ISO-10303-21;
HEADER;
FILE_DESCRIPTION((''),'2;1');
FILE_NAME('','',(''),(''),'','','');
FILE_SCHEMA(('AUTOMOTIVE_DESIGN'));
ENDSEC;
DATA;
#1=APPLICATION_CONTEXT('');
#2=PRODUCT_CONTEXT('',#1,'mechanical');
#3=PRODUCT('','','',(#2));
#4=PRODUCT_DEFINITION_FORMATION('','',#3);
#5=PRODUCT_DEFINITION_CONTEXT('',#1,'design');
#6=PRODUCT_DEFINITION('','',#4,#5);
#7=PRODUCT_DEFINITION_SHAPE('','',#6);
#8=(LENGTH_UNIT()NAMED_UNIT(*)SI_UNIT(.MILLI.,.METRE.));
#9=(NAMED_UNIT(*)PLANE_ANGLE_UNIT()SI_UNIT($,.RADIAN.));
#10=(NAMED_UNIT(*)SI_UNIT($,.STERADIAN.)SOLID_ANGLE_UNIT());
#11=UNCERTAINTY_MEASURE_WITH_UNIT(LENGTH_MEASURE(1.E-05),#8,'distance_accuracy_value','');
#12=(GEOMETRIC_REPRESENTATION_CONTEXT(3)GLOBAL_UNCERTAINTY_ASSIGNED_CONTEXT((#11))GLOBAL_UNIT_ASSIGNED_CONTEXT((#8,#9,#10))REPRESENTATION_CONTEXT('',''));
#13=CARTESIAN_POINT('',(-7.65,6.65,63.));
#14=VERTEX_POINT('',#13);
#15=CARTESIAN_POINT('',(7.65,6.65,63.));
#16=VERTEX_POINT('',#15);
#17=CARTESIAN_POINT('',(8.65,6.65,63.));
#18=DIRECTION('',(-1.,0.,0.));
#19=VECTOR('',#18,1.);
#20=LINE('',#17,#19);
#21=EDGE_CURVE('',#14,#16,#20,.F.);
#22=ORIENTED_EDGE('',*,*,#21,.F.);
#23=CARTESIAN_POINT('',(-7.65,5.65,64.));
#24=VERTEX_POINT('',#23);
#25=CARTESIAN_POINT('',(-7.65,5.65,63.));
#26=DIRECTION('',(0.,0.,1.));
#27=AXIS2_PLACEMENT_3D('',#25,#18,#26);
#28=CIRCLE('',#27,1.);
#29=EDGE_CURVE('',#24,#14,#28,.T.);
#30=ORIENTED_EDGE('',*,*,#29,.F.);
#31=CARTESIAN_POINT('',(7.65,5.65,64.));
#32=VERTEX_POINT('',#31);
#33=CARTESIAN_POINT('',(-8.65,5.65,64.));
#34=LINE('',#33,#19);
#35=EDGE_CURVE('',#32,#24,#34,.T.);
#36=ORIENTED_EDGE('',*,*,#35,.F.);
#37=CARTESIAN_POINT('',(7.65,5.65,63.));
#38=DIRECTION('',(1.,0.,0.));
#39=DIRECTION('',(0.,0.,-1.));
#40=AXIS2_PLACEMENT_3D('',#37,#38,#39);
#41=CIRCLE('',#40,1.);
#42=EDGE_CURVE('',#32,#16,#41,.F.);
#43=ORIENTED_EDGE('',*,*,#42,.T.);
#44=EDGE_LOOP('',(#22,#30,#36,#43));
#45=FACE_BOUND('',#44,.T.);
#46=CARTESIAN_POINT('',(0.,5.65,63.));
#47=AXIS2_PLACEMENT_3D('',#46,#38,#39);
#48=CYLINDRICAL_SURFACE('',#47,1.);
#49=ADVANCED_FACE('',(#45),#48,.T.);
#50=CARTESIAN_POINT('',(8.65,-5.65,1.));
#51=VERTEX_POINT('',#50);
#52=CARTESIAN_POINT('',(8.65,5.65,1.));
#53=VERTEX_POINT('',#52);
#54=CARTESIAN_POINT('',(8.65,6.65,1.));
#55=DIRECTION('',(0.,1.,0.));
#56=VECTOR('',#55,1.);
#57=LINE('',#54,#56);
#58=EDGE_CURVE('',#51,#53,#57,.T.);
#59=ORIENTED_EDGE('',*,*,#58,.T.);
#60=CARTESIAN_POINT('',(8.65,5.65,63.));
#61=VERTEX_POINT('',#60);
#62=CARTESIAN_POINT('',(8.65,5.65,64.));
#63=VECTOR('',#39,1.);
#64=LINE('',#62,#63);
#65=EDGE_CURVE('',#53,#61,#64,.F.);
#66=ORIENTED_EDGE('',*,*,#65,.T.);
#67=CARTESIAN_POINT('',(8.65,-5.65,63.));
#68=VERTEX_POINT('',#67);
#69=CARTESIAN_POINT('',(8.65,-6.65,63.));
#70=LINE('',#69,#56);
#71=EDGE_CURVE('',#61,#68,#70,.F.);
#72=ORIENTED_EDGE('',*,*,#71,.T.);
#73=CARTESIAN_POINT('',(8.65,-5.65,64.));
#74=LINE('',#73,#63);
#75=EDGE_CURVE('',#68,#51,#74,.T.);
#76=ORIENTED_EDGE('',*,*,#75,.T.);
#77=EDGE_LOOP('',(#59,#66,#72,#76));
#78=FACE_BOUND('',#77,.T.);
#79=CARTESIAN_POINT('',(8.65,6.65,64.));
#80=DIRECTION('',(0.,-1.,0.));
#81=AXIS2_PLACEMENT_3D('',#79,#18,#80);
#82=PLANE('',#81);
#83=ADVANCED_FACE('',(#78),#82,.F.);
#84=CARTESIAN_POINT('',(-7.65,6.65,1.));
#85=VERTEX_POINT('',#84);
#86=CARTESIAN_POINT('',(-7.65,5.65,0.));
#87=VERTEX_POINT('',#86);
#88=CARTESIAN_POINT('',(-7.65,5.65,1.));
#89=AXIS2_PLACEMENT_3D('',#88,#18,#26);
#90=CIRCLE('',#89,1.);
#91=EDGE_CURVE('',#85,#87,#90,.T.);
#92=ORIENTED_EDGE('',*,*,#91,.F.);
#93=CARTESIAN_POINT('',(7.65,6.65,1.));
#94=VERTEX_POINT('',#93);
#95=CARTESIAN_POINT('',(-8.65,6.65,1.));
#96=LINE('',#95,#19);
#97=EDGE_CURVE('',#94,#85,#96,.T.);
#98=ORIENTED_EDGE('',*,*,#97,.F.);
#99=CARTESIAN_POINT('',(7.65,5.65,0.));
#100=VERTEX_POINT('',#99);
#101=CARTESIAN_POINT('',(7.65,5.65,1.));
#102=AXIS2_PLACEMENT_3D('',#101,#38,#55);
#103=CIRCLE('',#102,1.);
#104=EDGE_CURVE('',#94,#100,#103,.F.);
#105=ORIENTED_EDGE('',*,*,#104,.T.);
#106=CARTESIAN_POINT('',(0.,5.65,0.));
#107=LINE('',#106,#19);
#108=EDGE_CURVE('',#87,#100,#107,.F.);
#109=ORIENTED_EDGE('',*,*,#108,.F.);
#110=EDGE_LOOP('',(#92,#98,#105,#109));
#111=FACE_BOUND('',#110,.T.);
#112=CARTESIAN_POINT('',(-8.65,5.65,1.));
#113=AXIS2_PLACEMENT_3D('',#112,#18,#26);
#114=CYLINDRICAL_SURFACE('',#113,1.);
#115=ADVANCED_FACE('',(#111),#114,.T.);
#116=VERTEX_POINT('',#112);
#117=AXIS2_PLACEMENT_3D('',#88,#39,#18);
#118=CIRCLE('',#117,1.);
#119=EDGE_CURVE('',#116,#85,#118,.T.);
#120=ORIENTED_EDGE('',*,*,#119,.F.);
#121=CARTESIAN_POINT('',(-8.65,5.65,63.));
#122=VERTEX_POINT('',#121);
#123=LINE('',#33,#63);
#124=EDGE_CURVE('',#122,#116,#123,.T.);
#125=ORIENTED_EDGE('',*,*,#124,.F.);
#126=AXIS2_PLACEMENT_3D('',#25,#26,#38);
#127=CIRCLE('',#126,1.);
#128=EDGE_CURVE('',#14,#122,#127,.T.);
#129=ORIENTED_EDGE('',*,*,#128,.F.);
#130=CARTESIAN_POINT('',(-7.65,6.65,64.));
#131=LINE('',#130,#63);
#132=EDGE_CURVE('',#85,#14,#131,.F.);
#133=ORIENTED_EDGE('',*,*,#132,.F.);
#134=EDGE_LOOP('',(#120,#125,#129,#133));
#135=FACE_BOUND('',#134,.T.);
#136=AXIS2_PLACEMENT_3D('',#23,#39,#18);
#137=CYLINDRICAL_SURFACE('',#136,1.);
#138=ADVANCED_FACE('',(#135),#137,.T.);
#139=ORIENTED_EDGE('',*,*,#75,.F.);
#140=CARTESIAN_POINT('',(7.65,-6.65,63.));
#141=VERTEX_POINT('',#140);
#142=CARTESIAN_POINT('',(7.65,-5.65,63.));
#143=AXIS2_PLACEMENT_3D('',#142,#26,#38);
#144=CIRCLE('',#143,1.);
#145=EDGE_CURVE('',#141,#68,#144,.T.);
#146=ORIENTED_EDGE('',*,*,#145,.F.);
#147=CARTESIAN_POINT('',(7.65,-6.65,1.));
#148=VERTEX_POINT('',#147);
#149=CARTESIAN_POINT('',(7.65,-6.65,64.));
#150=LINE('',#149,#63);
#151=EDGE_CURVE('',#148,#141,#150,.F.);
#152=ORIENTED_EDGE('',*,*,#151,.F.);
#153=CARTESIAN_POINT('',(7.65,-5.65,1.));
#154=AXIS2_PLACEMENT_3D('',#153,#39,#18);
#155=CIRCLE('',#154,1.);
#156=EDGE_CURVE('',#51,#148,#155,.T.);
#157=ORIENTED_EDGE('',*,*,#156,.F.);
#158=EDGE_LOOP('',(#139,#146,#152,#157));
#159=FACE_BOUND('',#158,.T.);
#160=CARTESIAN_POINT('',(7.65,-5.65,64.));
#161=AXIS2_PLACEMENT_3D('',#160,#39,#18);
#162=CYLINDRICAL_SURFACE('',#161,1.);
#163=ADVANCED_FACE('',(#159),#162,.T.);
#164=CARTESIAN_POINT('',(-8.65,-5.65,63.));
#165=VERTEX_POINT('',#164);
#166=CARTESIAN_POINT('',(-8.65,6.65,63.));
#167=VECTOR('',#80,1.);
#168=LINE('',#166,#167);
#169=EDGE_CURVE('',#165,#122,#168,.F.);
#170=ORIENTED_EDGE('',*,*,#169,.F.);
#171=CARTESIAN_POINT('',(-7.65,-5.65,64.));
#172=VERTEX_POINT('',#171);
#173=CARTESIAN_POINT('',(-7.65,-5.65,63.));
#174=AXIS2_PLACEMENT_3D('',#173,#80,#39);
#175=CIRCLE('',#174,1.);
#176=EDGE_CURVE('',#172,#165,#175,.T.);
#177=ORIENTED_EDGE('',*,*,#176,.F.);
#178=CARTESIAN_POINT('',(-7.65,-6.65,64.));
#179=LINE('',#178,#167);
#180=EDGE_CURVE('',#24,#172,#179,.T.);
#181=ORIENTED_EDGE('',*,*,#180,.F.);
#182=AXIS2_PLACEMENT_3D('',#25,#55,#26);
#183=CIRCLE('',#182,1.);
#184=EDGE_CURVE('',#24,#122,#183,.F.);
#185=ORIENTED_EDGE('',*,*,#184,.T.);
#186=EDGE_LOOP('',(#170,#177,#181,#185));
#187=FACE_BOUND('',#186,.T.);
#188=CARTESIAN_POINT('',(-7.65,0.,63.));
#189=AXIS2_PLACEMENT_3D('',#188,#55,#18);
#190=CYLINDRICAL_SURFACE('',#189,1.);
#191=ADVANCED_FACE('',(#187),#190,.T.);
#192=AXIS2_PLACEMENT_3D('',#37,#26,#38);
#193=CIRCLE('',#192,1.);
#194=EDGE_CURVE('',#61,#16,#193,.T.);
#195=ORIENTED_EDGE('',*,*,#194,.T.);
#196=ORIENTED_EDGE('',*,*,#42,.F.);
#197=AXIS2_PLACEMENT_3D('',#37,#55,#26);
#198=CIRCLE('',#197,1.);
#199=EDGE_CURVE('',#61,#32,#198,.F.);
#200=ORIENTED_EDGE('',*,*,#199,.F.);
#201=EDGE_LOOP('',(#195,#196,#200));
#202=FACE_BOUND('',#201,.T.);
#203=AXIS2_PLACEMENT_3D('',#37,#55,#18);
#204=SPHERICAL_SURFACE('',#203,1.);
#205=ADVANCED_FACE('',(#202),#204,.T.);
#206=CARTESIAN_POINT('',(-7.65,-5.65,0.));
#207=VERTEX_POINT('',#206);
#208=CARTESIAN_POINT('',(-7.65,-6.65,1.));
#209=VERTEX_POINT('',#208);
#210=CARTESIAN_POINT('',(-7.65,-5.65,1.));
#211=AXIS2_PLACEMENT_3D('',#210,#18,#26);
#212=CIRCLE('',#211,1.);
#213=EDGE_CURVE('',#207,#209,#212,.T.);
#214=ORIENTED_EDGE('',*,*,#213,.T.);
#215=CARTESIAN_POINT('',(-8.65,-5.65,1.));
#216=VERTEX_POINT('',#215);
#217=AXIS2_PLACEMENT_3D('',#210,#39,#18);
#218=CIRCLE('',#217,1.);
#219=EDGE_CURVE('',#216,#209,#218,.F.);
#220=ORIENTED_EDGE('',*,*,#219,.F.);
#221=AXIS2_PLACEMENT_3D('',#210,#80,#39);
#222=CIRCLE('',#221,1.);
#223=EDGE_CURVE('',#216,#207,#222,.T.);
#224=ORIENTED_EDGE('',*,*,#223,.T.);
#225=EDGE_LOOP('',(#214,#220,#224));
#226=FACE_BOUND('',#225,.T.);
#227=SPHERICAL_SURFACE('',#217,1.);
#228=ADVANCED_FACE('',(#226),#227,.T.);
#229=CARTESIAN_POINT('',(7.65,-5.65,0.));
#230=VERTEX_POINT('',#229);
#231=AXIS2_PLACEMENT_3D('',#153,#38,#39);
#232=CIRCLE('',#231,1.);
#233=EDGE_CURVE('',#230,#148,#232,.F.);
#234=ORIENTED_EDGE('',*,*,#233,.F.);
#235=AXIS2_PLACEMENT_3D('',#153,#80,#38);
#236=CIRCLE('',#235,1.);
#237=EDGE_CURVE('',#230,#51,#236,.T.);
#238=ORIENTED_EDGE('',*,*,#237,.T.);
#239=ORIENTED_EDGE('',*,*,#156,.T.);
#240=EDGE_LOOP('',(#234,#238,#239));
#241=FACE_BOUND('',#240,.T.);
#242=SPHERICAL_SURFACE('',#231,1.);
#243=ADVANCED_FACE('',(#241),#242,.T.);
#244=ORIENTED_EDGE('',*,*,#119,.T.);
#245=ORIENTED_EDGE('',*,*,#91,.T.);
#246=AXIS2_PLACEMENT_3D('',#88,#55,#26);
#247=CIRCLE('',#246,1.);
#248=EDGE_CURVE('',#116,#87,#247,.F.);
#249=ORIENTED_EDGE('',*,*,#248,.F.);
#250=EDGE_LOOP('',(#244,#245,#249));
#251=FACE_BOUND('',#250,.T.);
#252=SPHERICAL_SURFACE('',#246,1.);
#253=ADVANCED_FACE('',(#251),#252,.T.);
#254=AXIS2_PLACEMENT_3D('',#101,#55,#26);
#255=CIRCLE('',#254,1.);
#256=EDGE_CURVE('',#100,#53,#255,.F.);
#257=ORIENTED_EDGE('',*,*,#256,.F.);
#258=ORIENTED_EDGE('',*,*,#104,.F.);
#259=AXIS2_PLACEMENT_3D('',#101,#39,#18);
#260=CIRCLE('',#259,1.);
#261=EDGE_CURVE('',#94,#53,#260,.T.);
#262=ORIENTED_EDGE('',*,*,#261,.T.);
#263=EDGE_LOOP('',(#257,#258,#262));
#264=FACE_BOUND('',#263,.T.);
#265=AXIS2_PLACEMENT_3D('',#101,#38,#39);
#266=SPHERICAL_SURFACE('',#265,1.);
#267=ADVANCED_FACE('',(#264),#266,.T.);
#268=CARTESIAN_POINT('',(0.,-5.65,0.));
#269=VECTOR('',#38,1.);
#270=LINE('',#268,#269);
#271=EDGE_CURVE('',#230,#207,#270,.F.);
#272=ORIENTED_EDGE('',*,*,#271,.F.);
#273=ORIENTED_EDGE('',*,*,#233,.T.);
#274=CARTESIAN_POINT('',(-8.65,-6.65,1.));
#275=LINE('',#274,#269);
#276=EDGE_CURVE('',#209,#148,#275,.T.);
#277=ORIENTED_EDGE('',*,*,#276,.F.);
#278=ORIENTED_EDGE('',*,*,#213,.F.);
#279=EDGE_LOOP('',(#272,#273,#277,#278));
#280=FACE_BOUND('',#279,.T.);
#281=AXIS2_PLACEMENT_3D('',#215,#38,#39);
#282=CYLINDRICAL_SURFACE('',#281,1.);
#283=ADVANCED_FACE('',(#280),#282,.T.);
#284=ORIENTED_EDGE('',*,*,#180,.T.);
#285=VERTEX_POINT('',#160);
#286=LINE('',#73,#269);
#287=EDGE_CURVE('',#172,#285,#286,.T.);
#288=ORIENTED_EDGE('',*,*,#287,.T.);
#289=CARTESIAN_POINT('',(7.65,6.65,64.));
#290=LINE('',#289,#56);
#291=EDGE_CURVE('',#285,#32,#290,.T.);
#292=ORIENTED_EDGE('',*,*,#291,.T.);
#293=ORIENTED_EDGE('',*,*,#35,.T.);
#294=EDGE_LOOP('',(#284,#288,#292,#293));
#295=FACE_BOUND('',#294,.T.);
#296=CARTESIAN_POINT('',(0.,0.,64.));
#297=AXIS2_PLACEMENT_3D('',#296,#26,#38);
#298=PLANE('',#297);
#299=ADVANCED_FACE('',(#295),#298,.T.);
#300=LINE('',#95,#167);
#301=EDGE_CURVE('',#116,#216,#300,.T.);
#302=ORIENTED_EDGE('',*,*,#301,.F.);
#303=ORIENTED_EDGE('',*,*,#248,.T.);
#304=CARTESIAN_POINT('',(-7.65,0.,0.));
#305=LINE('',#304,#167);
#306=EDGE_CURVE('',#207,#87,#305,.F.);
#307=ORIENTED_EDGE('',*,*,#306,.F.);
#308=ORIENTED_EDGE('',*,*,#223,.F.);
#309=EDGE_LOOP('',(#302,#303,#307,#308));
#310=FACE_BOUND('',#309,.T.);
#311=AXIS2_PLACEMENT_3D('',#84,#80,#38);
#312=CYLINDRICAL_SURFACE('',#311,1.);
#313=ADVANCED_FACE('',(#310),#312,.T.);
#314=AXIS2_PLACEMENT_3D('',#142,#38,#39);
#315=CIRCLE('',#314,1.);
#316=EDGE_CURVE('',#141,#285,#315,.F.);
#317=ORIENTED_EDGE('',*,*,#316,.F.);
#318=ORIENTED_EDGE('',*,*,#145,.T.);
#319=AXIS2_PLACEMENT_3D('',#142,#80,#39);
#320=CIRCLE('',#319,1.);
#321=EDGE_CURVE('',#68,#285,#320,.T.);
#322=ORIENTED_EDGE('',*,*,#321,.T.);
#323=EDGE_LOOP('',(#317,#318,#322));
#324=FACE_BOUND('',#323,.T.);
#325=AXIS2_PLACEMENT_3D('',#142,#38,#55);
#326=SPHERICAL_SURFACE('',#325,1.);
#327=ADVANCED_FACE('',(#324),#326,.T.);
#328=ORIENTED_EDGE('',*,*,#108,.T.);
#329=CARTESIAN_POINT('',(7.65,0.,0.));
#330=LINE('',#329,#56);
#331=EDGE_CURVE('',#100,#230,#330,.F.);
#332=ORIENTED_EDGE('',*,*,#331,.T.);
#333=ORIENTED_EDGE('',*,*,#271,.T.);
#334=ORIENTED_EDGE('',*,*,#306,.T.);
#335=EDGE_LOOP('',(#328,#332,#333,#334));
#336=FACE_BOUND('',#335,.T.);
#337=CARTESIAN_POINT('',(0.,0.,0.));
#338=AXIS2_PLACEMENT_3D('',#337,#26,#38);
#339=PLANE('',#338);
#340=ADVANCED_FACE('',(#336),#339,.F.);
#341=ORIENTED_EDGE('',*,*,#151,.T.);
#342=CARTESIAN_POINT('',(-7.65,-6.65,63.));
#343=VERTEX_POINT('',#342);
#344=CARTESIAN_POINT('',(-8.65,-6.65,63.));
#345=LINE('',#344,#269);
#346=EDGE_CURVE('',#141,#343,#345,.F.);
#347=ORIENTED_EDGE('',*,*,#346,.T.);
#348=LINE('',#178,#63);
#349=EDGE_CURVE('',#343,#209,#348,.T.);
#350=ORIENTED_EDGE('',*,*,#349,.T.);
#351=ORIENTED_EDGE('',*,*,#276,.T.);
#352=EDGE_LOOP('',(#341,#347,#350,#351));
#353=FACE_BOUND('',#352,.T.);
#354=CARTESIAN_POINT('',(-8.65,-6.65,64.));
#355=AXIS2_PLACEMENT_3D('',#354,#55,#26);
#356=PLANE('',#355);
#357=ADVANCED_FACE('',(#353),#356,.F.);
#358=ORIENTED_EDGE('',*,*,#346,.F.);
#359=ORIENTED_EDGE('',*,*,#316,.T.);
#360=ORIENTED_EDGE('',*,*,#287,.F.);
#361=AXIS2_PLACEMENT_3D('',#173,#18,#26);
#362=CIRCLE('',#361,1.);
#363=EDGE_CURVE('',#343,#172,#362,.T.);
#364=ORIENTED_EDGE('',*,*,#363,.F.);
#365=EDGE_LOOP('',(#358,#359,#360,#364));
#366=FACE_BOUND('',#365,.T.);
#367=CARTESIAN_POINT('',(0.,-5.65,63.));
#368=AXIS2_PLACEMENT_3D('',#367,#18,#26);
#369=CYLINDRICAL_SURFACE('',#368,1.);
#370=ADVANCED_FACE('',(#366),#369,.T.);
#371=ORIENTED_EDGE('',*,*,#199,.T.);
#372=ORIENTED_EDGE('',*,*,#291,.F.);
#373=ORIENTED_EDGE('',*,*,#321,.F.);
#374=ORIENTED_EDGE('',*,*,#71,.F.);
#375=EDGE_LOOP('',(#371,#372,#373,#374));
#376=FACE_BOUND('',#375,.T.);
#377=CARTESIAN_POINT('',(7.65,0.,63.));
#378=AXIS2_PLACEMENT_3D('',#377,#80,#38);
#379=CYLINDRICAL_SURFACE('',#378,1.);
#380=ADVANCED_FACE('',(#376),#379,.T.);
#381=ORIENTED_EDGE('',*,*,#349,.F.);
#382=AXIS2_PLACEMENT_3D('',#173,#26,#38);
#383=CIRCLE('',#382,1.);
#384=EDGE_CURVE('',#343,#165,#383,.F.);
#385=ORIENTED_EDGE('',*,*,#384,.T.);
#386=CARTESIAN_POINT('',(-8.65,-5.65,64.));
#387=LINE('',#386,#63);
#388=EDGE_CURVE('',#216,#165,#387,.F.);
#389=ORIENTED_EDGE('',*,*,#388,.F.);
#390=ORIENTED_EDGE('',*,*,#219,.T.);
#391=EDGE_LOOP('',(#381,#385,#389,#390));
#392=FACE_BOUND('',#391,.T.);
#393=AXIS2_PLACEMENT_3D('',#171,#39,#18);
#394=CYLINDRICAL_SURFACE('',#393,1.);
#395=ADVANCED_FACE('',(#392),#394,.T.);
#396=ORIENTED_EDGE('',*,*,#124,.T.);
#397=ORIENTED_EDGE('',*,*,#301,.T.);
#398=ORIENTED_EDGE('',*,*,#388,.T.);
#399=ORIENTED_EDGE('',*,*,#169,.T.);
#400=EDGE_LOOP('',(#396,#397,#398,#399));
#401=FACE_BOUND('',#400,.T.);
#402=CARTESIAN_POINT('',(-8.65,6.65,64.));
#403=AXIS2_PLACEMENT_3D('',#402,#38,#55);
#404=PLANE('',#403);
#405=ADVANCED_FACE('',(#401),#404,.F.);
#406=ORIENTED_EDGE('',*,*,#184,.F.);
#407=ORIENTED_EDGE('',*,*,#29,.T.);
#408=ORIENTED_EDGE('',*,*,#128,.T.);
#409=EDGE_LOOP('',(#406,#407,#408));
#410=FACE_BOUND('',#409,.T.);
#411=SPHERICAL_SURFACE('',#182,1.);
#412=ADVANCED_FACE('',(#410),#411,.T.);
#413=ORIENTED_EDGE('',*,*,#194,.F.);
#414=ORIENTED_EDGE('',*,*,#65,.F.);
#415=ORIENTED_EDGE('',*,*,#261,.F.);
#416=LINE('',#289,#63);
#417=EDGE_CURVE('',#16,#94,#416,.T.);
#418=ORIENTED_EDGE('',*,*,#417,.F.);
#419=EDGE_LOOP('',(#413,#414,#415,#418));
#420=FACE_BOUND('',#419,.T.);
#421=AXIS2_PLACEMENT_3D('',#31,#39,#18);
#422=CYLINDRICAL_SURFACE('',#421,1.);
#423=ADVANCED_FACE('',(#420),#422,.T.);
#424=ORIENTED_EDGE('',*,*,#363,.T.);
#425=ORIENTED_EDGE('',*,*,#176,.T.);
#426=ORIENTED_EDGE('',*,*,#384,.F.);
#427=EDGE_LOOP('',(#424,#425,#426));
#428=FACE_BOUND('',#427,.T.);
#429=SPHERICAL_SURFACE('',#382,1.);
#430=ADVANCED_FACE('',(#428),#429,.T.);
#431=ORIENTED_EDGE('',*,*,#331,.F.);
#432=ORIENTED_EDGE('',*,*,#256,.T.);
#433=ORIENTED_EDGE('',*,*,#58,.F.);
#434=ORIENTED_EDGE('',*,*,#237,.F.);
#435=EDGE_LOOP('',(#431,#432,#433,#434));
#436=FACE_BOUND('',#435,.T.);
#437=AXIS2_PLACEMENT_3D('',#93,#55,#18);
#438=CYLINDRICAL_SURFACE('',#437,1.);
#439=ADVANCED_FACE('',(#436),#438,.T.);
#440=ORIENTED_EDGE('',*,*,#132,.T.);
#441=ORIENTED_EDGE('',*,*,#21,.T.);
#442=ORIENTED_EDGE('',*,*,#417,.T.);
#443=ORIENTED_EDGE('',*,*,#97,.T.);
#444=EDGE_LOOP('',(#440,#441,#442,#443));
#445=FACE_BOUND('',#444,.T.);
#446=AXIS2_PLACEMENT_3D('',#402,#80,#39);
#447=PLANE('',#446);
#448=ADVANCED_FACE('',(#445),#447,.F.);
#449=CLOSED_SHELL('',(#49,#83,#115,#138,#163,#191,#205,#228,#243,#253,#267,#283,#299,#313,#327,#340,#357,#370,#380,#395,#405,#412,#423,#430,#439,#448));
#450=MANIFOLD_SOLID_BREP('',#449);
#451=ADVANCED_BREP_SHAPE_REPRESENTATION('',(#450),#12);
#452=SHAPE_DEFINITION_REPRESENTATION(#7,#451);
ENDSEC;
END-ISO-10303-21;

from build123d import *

# Parameters (mm, degrees)
SKIZZE1_W                       = 17.3
SKIZZE1_H                       = 13.3
AUFSATZ_LINEAR_AUSTRAGEN1_DEPTH = 64
VERRUNDUNG1_R                   = 1


with BuildPart() as part:
    # Skizze1 → Aufsatz-Linear austragen1 (new body)
    with BuildSketch(Plane.XY):
        Rectangle(SKIZZE1_W, SKIZZE1_H)
    extrude(amount=AUFSATZ_LINEAR_AUSTRAGEN1_DEPTH)

    # Verrundung1
    verrundung1_edges = [part.edges().sort_by_distance(p)[0] for p in [
        (8.65, 0, 64),
        (0, 6.65, 64),
        (-8.65, 0, 64),
        (0, 6.65, 0),
        (8.65, 0, 0),
        (0, -6.65, 0),
        (-8.65, 0, 0),
        (-8.65, 6.65, 32),
        (8.65, 6.65, 32),
        (8.65, -6.65, 32),
        (-8.65, -6.65, 32),
        (0, -6.65, 64),
    ]]
    fillet(verrundung1_edges, radius=VERRUNDUNG1_R)


solid = part.part
